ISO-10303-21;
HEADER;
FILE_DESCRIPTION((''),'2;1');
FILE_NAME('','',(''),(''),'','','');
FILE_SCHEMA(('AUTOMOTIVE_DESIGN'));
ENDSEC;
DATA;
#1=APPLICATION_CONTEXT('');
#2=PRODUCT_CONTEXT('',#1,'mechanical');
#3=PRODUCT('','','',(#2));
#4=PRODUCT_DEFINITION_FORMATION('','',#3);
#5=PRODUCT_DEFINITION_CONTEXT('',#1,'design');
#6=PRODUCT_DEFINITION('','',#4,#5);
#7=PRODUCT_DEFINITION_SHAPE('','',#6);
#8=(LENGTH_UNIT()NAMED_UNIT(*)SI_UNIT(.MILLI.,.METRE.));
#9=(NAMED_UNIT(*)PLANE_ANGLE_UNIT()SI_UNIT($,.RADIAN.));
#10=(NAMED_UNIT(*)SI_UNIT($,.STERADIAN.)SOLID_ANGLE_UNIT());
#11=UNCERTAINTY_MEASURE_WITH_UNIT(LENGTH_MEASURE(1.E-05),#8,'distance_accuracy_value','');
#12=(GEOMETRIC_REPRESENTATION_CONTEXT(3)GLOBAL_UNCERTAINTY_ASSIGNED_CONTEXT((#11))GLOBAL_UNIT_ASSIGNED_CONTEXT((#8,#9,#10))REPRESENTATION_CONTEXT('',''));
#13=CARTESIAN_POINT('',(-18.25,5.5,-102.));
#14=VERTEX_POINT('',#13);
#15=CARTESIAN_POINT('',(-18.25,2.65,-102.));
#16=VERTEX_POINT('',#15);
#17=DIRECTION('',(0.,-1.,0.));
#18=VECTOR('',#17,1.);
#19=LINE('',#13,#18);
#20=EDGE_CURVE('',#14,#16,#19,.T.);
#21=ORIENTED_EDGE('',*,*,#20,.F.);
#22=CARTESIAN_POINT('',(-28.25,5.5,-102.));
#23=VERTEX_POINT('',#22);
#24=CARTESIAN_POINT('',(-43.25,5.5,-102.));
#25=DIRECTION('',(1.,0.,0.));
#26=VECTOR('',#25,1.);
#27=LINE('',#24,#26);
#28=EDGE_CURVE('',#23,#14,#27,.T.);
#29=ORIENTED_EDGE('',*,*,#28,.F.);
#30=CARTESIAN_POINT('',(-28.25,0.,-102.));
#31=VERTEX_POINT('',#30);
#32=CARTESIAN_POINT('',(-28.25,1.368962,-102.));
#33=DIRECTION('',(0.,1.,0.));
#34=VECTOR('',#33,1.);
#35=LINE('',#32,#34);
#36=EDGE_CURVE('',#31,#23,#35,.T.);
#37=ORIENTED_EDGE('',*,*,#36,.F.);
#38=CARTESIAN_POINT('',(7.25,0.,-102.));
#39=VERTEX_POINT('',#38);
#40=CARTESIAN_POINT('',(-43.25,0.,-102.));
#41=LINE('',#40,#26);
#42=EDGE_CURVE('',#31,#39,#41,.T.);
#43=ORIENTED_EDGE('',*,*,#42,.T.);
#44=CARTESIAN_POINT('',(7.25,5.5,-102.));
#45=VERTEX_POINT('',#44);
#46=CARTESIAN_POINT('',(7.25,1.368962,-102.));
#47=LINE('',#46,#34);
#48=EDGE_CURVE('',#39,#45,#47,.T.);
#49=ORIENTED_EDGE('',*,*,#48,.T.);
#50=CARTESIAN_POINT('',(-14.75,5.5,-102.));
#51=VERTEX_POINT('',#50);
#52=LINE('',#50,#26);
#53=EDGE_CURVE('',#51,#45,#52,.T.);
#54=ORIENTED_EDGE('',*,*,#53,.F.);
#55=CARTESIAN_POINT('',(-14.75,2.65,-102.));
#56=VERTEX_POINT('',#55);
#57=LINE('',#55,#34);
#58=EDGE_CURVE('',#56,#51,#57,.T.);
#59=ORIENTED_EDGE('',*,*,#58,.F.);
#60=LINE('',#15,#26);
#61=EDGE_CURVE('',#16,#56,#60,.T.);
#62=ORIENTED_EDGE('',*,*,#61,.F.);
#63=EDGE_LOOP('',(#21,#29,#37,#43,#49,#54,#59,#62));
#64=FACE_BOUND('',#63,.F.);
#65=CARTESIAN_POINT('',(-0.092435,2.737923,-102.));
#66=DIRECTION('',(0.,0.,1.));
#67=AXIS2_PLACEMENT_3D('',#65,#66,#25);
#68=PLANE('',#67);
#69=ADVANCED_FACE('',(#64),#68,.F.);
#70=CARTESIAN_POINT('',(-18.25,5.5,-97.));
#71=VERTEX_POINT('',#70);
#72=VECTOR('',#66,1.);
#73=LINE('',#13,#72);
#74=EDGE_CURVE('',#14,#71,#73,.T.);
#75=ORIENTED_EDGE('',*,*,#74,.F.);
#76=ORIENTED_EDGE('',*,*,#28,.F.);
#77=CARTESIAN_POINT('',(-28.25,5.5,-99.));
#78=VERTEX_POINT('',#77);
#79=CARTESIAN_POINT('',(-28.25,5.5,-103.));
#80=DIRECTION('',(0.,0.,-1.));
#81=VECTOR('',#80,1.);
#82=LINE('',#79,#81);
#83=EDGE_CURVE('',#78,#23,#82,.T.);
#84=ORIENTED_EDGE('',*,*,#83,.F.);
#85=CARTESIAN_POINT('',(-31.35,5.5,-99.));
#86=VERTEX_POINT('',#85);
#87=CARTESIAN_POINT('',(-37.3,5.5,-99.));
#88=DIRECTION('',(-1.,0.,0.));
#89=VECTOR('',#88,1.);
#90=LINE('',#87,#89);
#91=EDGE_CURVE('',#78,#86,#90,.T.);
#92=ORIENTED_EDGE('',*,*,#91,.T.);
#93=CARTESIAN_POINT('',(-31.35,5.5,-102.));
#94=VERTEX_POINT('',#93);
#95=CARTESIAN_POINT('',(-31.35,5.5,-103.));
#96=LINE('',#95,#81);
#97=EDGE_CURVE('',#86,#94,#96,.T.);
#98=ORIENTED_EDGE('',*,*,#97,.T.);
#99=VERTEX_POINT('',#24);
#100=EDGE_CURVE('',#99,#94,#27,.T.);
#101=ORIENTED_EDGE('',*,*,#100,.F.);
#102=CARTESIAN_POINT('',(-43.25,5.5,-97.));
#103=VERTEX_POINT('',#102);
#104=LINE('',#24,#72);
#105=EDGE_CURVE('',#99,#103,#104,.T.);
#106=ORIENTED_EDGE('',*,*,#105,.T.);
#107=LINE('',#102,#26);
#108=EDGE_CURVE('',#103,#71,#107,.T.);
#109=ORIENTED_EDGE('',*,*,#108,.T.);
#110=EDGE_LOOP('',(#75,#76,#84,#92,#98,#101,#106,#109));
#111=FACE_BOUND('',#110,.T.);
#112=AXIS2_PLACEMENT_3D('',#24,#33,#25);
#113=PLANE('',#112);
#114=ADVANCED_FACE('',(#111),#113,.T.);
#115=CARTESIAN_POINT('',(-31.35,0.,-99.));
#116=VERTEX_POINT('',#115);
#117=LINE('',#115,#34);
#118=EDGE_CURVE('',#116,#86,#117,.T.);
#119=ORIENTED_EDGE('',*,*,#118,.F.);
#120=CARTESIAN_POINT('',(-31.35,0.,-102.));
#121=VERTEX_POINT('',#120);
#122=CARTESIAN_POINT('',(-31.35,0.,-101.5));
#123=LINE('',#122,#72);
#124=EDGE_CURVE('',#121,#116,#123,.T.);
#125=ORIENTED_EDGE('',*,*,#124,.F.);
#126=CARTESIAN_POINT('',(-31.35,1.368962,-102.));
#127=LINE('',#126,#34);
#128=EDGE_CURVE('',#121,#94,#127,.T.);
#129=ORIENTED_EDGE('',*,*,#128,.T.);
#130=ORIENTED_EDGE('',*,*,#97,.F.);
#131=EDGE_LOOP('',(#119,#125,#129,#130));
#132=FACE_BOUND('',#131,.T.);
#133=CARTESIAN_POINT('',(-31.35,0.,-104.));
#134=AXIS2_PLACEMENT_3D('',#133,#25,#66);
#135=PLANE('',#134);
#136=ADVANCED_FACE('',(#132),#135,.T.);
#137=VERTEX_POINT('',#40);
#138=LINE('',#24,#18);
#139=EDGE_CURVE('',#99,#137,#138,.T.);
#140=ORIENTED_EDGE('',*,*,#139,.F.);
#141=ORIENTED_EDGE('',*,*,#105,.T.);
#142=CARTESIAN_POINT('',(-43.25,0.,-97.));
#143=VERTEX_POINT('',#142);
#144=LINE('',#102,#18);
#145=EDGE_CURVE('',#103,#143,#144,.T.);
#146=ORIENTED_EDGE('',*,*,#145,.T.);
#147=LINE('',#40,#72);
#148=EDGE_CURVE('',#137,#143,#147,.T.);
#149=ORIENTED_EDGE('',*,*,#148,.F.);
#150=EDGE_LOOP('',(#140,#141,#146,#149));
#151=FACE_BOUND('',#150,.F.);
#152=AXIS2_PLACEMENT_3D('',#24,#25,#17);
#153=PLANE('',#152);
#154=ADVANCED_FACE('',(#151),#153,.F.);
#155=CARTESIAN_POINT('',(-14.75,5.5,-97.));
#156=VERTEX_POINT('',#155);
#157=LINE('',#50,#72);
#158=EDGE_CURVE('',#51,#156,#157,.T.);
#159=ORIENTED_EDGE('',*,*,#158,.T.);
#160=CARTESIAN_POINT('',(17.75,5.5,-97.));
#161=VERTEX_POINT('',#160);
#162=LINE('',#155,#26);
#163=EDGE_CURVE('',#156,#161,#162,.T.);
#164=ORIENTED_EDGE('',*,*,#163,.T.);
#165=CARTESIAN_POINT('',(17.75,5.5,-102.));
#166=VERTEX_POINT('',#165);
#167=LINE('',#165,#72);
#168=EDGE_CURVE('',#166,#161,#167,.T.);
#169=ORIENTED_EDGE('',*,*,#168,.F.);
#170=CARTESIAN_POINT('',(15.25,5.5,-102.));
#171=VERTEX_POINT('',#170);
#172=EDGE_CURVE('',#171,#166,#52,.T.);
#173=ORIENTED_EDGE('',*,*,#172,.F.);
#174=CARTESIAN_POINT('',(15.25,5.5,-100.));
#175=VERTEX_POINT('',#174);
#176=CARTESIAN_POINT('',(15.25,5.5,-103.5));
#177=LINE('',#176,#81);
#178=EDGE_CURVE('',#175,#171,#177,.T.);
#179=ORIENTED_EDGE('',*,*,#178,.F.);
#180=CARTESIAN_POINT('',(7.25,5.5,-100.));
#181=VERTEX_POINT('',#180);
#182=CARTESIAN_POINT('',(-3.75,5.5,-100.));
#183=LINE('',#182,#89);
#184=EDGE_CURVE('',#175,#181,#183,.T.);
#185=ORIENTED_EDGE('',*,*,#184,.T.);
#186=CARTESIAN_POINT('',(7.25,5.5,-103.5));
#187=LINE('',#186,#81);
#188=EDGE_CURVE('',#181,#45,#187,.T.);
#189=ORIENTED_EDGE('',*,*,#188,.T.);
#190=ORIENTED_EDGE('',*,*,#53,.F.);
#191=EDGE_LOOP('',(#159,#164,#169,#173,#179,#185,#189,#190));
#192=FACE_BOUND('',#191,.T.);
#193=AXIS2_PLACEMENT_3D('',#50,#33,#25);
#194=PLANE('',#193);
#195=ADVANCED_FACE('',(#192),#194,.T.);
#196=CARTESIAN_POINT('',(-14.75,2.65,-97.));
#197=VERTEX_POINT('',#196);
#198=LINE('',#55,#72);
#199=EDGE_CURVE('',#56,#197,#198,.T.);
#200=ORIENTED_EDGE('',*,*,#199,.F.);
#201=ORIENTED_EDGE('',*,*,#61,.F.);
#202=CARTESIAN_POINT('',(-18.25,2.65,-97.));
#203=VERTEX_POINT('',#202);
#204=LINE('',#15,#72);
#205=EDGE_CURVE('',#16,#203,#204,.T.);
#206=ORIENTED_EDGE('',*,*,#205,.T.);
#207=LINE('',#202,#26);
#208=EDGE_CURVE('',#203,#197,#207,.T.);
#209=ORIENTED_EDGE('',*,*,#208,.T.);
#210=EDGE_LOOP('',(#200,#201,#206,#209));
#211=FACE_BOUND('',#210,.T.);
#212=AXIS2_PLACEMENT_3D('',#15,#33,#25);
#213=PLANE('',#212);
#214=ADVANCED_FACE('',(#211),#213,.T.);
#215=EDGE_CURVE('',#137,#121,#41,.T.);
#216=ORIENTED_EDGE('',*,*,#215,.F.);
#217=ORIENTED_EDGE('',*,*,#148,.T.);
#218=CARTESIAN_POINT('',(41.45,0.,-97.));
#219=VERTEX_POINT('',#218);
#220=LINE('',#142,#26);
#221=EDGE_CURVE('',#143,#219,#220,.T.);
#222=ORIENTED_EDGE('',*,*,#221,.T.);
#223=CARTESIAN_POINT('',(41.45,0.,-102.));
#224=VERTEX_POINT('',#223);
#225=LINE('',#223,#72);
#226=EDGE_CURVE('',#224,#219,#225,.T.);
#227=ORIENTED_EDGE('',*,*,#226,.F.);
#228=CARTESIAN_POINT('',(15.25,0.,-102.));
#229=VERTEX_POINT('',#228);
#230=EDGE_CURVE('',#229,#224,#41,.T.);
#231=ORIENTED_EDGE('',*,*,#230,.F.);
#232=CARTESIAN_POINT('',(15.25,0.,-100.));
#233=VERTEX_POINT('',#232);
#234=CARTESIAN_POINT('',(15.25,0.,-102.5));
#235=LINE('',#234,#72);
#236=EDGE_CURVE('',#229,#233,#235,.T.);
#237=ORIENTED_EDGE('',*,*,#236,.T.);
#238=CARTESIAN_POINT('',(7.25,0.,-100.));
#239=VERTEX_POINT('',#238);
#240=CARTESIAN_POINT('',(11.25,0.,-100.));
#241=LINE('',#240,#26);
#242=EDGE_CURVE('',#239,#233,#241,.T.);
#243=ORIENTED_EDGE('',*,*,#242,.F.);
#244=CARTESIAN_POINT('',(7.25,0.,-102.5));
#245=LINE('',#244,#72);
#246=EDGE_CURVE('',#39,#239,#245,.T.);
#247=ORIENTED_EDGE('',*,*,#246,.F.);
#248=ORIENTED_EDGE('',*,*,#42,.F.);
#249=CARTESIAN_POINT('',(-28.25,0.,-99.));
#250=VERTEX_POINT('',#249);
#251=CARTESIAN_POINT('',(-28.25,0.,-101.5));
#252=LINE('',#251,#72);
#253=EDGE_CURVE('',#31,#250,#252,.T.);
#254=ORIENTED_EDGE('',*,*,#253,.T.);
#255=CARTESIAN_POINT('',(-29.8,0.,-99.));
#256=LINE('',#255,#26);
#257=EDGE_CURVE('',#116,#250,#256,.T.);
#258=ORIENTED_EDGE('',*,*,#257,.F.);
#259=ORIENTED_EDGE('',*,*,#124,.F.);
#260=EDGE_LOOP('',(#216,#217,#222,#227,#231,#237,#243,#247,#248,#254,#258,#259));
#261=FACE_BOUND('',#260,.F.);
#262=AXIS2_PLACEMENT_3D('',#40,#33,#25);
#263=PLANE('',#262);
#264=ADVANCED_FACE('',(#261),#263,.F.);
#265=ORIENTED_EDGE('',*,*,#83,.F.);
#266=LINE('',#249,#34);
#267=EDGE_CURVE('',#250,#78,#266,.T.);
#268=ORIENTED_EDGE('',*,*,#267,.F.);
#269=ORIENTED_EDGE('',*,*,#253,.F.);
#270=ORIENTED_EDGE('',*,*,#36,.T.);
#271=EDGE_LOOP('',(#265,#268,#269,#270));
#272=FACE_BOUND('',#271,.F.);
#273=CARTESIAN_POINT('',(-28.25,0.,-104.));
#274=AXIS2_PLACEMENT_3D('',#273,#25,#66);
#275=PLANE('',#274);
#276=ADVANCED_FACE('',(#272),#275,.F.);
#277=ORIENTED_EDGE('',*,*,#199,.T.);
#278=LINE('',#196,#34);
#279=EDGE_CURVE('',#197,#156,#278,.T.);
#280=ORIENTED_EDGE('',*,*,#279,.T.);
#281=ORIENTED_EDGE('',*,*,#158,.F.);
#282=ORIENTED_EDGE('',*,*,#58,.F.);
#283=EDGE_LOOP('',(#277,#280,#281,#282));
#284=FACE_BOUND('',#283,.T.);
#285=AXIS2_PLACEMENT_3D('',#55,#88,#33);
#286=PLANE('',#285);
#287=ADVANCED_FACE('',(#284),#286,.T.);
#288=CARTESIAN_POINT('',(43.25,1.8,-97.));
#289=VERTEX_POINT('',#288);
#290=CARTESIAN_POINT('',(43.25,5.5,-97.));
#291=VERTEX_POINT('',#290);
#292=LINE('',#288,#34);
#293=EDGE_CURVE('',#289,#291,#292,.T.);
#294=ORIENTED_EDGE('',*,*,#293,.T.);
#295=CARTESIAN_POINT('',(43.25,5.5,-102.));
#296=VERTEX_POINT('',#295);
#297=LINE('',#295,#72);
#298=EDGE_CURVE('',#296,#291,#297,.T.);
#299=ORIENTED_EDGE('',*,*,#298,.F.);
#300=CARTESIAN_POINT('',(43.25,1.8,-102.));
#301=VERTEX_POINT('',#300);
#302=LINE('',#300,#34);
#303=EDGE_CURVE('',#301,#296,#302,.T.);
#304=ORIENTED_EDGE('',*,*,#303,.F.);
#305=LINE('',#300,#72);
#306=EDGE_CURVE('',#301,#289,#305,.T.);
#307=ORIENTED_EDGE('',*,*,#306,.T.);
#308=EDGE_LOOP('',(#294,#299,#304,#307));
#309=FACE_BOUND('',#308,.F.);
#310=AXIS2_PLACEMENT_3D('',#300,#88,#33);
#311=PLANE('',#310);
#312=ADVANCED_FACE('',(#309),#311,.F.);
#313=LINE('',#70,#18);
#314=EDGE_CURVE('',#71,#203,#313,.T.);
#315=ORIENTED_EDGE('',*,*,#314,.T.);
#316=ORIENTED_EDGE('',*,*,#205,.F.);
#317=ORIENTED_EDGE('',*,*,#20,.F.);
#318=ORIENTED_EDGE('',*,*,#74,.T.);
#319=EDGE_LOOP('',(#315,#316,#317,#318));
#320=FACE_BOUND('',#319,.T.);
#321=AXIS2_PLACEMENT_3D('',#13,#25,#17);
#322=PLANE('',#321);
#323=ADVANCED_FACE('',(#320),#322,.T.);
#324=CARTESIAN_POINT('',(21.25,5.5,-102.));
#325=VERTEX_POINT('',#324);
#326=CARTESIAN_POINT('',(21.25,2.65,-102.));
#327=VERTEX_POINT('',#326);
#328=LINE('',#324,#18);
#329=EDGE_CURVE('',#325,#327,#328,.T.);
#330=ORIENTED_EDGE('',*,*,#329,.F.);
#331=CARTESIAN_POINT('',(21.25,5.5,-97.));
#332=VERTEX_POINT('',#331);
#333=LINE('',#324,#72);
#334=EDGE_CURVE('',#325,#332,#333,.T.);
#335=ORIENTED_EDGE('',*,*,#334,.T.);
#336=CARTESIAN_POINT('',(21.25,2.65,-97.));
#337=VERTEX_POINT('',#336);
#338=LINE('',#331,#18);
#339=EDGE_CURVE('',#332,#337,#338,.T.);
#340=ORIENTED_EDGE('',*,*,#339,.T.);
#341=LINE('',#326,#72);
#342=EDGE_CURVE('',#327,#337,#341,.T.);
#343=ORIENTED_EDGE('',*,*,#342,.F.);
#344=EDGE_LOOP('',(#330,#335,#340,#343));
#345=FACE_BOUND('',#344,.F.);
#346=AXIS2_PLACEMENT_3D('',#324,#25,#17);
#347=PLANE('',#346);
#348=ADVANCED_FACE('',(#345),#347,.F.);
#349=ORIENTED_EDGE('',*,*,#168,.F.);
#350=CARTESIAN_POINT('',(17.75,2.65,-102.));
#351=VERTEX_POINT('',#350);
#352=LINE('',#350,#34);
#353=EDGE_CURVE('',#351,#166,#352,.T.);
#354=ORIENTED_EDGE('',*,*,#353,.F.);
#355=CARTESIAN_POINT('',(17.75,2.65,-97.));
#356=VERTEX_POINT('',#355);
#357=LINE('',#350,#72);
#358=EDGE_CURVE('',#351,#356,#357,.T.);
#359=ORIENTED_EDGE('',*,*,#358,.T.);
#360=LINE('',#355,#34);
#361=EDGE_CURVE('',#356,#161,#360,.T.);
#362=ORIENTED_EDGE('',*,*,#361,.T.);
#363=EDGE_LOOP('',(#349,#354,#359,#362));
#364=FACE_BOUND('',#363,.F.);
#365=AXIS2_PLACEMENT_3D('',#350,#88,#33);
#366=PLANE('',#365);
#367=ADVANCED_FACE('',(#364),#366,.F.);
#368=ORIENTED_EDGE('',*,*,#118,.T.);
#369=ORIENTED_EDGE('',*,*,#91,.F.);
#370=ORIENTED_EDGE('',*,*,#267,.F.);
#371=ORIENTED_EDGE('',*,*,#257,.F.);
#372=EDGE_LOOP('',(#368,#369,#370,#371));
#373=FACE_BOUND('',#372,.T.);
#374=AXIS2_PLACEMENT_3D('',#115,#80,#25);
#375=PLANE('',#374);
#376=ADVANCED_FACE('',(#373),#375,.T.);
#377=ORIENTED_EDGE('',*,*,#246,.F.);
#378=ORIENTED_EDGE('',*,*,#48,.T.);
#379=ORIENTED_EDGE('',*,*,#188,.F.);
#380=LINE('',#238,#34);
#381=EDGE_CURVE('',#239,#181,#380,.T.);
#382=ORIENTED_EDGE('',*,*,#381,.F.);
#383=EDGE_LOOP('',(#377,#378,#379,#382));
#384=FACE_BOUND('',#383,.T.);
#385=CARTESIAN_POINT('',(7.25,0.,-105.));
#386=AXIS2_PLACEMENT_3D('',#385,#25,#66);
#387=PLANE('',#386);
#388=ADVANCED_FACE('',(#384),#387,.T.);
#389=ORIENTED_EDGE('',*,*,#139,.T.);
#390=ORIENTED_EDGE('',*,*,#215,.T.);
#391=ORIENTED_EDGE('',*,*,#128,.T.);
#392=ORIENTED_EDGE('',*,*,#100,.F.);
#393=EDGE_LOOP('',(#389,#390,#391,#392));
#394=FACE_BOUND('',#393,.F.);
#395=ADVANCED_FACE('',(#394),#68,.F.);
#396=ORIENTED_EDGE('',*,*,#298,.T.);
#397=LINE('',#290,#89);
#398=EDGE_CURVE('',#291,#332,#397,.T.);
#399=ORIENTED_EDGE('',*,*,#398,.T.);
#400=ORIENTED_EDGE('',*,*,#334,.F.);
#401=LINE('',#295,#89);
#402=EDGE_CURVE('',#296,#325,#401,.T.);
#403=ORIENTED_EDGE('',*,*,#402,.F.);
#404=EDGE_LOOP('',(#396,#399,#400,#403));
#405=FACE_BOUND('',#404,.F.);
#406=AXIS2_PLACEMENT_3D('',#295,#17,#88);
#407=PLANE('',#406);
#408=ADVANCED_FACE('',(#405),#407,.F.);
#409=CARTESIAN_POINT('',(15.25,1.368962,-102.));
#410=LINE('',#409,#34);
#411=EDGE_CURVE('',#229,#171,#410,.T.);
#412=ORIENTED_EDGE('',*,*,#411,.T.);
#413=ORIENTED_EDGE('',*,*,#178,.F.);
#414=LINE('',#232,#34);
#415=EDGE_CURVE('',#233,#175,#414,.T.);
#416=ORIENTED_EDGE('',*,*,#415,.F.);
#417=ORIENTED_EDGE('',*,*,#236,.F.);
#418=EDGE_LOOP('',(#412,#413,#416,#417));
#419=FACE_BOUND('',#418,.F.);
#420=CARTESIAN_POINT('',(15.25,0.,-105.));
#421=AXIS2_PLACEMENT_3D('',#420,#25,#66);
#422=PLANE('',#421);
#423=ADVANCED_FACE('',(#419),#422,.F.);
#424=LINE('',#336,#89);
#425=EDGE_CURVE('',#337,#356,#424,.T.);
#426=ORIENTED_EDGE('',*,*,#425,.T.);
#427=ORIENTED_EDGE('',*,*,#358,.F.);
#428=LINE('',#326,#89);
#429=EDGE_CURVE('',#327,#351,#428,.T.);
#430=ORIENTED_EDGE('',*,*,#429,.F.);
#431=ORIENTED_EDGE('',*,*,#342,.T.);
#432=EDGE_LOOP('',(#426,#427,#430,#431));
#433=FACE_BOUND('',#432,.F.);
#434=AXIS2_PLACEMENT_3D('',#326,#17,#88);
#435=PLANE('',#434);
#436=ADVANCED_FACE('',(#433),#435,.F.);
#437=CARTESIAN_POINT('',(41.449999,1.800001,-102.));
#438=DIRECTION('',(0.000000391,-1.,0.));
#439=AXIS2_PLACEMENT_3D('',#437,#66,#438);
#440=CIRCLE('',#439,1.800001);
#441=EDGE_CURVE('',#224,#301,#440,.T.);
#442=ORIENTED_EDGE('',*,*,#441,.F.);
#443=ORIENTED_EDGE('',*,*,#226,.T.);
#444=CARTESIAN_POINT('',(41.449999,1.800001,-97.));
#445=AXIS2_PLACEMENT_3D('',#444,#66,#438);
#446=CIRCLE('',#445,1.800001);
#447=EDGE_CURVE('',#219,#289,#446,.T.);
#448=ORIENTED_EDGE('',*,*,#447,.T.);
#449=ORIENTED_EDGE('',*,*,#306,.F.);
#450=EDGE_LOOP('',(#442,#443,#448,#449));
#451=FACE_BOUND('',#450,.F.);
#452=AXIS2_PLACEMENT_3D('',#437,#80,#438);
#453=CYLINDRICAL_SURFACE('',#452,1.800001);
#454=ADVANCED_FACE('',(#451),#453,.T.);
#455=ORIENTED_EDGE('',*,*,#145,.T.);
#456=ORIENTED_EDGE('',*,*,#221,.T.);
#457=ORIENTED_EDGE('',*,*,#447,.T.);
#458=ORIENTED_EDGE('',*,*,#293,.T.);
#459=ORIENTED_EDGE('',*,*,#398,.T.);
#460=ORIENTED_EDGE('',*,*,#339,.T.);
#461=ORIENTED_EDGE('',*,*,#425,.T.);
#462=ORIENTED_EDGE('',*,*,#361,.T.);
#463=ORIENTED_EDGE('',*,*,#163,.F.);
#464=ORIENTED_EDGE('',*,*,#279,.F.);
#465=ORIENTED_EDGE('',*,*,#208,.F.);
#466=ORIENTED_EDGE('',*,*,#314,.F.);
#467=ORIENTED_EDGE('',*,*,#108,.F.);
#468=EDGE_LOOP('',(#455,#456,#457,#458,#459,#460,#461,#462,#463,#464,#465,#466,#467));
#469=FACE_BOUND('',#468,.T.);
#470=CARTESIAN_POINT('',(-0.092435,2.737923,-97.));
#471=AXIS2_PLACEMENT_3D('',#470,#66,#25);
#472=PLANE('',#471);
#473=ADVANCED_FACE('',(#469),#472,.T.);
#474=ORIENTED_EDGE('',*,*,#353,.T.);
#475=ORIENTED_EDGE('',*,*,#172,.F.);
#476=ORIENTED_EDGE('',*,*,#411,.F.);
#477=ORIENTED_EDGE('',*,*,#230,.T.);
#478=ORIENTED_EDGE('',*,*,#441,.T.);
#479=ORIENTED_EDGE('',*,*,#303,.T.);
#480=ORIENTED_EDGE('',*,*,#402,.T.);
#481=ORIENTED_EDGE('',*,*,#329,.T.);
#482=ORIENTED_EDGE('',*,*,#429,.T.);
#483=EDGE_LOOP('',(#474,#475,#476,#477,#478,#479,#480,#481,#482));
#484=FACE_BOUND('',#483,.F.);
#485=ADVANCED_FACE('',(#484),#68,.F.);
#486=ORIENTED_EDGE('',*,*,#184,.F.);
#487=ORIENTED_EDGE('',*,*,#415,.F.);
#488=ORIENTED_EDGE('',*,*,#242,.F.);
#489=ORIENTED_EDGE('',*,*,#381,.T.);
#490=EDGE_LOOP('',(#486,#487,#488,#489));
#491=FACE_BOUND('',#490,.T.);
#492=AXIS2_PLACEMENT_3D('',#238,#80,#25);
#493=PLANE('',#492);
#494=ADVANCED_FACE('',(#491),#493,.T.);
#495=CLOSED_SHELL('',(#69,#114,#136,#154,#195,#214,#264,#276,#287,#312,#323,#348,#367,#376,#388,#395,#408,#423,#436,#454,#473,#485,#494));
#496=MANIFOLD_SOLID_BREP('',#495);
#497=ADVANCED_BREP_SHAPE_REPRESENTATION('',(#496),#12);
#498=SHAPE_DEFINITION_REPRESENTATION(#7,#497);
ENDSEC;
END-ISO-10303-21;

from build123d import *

# Parameters (mm, degrees)
PAD013_DEPTH    = 5
SKETCH019_W     = 8
SKETCH019_H     = 5
POCKET001_DEPTH = 10
SKETCH020_W     = 3.1
SKETCH020_H     = 5
POCKET002_DEPTH = 10


with BuildPart() as part:
    # Sketch018 → Pad013 (new body)
    with BuildSketch(Plane.XY):
        with BuildLine():
            Line((-43.25, 0), (41.45, 0))
            ThreePointArc((41.45, 0), (42.722792, 0.527208), (43.25, 1.8))
            Line((43.25, 1.8), (43.25, 5.5))
            Line((43.25, 5.5), (21.25, 5.5))
            Line((21.25, 5.5), (21.25, 2.65))
            Line((21.25, 2.65), (17.75, 2.65))
            Line((17.75, 2.65), (17.75, 5.5))
            Line((-14.75, 5.5), (17.75, 5.5))
            Line((-14.75, 2.65), (-14.75, 5.5))
            Line((-18.25, 2.65), (-14.75, 2.65))
            Line((-18.25, 5.5), (-18.25, 2.65))
            Line((-43.25, 5.5), (-18.25, 5.5))
            Line((-43.25, 5.5), (-43.25, 0))
        make_face()
    extrude(amount=PAD013_DEPTH)

    # Sketch019 → Pocket001 (cut)
    with BuildSketch(Plane.XZ):
        with Locations((11.25, -0.5)):
            Rectangle(SKETCH019_W, SKETCH019_H)
    extrude(amount=-POCKET001_DEPTH, mode=Mode.SUBTRACT)

    # Sketch020 → Pocket002 (cut)
    with BuildSketch(Plane.XZ):
        with Locations((-29.8, 0.5)):
            Rectangle(SKETCH020_W, SKETCH020_H)
    extrude(amount=-POCKET002_DEPTH, mode=Mode.SUBTRACT)


with BuildPart() as part_1:
    # Body010 placement: moved
    add(part.part.moved(Location((0, 0, -102))))


solid = part_1.part
